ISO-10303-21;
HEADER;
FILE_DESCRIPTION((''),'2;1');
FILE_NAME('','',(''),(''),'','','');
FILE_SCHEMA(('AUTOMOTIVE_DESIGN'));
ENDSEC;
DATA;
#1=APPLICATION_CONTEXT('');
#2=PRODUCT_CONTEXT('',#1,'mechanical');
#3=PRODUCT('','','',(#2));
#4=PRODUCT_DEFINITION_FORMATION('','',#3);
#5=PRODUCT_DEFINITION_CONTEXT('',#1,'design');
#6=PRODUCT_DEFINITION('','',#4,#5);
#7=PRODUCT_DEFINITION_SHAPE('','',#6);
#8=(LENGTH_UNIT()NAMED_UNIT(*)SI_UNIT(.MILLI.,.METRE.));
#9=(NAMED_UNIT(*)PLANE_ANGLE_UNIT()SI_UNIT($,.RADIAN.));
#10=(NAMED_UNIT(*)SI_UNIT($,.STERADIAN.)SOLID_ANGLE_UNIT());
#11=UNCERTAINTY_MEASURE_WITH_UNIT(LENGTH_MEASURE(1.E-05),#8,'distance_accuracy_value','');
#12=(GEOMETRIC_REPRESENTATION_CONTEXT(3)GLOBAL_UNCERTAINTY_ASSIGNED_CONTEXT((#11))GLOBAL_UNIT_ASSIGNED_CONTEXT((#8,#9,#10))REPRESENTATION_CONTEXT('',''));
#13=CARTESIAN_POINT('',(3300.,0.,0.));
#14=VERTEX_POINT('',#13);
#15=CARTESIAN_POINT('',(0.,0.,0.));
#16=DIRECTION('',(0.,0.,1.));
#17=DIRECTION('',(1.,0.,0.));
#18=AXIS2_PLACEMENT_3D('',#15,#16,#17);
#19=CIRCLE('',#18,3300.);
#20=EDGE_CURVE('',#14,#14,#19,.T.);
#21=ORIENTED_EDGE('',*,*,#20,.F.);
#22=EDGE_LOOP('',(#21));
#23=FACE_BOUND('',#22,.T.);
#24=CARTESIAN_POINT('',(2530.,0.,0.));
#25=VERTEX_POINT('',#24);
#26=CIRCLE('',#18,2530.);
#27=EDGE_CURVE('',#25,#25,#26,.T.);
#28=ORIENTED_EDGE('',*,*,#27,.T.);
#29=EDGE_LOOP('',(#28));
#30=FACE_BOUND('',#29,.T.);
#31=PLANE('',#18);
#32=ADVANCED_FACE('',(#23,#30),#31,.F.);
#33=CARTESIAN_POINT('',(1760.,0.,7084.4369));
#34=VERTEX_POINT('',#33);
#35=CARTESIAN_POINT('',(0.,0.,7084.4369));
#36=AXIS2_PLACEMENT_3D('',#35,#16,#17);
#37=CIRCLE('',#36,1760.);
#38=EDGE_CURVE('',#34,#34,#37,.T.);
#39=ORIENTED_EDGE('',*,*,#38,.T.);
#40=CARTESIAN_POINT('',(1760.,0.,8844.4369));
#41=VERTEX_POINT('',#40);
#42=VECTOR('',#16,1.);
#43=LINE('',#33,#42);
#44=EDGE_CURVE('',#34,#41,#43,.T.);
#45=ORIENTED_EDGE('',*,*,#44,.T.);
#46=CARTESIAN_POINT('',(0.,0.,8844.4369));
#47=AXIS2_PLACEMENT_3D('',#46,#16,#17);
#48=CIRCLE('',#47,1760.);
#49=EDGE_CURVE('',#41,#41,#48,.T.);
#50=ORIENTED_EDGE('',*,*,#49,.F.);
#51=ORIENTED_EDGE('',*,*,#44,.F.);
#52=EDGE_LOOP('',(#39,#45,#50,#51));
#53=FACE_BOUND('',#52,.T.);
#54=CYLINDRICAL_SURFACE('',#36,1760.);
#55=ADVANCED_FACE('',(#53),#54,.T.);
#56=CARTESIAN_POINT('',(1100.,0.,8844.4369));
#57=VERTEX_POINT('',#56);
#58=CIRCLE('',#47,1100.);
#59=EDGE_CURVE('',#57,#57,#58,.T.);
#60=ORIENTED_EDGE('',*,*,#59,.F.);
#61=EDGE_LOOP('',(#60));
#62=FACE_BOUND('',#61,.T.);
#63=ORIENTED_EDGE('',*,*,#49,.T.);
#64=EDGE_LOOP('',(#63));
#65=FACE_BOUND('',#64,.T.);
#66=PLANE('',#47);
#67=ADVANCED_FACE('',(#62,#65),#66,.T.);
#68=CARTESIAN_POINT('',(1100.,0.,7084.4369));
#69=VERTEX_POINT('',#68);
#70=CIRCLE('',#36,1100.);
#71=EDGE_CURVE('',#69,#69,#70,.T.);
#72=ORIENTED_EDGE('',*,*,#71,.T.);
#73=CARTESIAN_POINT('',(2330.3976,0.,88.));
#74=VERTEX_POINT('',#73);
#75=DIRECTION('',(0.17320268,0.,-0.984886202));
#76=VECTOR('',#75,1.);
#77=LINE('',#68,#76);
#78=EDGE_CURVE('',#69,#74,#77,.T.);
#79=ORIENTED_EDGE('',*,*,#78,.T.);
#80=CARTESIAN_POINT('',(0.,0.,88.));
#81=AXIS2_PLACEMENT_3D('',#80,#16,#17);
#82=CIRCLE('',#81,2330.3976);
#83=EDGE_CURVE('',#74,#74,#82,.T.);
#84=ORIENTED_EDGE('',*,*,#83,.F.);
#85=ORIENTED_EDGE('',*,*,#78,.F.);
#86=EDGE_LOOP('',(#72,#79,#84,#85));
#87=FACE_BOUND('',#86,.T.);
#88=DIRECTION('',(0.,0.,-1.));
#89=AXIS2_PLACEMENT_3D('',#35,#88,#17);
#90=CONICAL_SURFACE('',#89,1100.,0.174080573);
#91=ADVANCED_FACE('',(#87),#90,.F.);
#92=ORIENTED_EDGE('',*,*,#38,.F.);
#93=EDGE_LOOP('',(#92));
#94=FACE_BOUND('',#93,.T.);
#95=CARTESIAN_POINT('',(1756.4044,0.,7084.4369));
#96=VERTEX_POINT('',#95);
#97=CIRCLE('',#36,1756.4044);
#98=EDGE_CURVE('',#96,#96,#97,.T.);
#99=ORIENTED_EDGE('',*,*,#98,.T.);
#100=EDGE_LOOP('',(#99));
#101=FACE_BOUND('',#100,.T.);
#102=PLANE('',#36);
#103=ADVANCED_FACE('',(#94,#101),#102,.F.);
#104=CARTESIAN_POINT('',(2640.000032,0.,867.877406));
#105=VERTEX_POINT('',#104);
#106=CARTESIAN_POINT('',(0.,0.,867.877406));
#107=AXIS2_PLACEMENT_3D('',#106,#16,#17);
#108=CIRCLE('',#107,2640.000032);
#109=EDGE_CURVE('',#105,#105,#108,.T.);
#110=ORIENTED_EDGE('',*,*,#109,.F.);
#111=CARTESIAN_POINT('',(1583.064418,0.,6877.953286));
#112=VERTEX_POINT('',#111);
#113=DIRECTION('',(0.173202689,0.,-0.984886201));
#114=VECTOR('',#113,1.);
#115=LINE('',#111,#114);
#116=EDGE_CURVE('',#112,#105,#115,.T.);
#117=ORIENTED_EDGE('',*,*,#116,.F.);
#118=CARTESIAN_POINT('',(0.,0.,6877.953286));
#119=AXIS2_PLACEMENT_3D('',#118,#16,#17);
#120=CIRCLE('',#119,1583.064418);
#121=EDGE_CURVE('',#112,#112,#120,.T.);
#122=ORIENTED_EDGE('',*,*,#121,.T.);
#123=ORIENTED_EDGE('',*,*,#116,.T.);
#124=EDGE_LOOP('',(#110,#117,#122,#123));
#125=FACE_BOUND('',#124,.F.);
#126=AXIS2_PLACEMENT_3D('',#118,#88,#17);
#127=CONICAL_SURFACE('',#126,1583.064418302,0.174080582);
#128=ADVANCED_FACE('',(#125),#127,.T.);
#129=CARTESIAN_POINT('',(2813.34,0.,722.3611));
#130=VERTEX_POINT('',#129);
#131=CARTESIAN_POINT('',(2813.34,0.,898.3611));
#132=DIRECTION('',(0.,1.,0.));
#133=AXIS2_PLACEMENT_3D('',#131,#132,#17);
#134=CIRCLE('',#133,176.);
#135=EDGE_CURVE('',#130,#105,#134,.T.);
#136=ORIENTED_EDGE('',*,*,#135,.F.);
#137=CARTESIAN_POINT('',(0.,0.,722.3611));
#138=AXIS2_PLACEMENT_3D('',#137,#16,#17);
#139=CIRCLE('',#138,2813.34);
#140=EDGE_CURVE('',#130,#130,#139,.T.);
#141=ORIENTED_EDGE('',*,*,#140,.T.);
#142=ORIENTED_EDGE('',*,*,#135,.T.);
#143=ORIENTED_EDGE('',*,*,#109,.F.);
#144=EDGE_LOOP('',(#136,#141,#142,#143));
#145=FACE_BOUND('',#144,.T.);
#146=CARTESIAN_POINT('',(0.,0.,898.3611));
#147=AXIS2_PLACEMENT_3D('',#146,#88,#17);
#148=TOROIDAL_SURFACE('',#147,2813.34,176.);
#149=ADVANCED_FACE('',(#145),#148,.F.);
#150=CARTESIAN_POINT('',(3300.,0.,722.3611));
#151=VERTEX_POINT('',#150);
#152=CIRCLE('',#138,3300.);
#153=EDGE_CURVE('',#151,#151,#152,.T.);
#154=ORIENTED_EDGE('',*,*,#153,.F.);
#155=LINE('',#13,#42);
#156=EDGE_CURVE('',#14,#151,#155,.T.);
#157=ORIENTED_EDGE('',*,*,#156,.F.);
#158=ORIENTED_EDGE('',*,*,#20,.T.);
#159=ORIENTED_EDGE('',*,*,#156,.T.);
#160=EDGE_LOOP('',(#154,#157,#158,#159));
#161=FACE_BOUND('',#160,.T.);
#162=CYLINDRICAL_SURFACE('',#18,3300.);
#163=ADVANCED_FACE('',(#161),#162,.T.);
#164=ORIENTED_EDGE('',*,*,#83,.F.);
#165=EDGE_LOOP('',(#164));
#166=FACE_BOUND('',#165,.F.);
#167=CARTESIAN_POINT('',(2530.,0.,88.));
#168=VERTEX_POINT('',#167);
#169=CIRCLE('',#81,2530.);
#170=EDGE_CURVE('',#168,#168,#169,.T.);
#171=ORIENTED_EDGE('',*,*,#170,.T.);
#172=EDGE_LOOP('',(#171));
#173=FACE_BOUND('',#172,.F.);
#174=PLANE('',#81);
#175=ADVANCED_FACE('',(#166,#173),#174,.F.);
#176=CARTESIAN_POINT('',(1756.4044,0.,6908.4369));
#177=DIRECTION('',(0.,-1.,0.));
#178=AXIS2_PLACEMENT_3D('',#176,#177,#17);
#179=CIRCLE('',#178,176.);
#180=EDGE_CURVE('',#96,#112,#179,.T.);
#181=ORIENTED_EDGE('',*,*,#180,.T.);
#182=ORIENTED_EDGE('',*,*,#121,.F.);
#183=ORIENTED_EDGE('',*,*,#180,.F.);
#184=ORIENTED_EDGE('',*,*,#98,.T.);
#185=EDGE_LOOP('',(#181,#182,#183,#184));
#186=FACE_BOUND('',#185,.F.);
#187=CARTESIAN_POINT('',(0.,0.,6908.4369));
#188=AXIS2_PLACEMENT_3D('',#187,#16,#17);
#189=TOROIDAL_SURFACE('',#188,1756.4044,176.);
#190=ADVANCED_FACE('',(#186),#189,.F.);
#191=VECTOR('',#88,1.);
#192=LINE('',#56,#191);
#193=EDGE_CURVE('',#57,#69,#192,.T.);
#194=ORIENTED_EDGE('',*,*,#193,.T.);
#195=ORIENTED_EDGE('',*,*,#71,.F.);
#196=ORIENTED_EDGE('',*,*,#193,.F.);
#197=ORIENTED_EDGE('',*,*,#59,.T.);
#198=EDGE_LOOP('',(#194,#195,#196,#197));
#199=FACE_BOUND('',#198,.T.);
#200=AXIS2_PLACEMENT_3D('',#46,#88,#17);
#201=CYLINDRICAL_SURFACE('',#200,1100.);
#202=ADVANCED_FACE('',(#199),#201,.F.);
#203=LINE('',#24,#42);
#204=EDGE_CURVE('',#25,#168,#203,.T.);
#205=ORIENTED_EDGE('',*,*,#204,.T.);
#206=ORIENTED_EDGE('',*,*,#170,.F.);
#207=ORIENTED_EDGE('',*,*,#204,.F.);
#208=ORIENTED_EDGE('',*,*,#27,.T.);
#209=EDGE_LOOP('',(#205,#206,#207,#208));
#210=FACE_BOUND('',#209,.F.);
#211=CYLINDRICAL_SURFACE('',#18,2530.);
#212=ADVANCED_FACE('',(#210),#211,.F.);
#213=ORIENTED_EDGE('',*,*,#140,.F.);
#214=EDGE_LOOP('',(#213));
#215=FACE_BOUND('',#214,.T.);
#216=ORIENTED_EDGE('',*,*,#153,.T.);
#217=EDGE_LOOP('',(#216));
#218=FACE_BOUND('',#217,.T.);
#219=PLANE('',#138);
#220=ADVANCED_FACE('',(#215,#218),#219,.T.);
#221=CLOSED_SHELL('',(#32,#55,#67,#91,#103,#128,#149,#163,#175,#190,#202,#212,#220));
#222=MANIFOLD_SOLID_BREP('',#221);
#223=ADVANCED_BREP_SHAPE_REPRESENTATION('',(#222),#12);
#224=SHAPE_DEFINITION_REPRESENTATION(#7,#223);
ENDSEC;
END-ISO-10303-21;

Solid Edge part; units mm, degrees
sketch "Sketch1" plane through (0, 0, 0) normal (0, -1, 0) x (1, 0, 0)
  line L0 (1583.0645, 6877.9533) -> (2640, 867.8774)
  line L1 (3300, 722.3611) -> (2813.34, 722.3611)
  line L2 (3300, 0) -> (3300, 722.3611)
  line L3 (2530, 0) -> (3300, 0)
  line L4 (2530, 0) -> (2530, 88)
  line L5 (2530, 88) -> (2330.3976, 88)
  line L6 (1100, 7084.4369) -> (2330.3976, 88)
  line L7 (1100, 8844.4369) -> (1100, 7084.4369)
  line L8 (1760, 8844.4369) -> (1100, 8844.4369)
  line L9 (1760, 7084.4369) -> (1760, 8844.4369)
  line L10 (1756.4044, 7084.4369) -> (1760, 7084.4369)
  arc A0 (1756.4044, 7084.4369) -> (1583.0645, 6877.9533) centre (1756.4044, 6908.4369) ccw
  arc A1 (2813.34, 722.3611) -> (2640, 867.8774) centre (2813.34, 898.3611) cw
revolve "RevolvedProtrusion1" add sketch "Sketch1" angle 360 about axis through (0, 0, 0) along (0, 0, 1)
